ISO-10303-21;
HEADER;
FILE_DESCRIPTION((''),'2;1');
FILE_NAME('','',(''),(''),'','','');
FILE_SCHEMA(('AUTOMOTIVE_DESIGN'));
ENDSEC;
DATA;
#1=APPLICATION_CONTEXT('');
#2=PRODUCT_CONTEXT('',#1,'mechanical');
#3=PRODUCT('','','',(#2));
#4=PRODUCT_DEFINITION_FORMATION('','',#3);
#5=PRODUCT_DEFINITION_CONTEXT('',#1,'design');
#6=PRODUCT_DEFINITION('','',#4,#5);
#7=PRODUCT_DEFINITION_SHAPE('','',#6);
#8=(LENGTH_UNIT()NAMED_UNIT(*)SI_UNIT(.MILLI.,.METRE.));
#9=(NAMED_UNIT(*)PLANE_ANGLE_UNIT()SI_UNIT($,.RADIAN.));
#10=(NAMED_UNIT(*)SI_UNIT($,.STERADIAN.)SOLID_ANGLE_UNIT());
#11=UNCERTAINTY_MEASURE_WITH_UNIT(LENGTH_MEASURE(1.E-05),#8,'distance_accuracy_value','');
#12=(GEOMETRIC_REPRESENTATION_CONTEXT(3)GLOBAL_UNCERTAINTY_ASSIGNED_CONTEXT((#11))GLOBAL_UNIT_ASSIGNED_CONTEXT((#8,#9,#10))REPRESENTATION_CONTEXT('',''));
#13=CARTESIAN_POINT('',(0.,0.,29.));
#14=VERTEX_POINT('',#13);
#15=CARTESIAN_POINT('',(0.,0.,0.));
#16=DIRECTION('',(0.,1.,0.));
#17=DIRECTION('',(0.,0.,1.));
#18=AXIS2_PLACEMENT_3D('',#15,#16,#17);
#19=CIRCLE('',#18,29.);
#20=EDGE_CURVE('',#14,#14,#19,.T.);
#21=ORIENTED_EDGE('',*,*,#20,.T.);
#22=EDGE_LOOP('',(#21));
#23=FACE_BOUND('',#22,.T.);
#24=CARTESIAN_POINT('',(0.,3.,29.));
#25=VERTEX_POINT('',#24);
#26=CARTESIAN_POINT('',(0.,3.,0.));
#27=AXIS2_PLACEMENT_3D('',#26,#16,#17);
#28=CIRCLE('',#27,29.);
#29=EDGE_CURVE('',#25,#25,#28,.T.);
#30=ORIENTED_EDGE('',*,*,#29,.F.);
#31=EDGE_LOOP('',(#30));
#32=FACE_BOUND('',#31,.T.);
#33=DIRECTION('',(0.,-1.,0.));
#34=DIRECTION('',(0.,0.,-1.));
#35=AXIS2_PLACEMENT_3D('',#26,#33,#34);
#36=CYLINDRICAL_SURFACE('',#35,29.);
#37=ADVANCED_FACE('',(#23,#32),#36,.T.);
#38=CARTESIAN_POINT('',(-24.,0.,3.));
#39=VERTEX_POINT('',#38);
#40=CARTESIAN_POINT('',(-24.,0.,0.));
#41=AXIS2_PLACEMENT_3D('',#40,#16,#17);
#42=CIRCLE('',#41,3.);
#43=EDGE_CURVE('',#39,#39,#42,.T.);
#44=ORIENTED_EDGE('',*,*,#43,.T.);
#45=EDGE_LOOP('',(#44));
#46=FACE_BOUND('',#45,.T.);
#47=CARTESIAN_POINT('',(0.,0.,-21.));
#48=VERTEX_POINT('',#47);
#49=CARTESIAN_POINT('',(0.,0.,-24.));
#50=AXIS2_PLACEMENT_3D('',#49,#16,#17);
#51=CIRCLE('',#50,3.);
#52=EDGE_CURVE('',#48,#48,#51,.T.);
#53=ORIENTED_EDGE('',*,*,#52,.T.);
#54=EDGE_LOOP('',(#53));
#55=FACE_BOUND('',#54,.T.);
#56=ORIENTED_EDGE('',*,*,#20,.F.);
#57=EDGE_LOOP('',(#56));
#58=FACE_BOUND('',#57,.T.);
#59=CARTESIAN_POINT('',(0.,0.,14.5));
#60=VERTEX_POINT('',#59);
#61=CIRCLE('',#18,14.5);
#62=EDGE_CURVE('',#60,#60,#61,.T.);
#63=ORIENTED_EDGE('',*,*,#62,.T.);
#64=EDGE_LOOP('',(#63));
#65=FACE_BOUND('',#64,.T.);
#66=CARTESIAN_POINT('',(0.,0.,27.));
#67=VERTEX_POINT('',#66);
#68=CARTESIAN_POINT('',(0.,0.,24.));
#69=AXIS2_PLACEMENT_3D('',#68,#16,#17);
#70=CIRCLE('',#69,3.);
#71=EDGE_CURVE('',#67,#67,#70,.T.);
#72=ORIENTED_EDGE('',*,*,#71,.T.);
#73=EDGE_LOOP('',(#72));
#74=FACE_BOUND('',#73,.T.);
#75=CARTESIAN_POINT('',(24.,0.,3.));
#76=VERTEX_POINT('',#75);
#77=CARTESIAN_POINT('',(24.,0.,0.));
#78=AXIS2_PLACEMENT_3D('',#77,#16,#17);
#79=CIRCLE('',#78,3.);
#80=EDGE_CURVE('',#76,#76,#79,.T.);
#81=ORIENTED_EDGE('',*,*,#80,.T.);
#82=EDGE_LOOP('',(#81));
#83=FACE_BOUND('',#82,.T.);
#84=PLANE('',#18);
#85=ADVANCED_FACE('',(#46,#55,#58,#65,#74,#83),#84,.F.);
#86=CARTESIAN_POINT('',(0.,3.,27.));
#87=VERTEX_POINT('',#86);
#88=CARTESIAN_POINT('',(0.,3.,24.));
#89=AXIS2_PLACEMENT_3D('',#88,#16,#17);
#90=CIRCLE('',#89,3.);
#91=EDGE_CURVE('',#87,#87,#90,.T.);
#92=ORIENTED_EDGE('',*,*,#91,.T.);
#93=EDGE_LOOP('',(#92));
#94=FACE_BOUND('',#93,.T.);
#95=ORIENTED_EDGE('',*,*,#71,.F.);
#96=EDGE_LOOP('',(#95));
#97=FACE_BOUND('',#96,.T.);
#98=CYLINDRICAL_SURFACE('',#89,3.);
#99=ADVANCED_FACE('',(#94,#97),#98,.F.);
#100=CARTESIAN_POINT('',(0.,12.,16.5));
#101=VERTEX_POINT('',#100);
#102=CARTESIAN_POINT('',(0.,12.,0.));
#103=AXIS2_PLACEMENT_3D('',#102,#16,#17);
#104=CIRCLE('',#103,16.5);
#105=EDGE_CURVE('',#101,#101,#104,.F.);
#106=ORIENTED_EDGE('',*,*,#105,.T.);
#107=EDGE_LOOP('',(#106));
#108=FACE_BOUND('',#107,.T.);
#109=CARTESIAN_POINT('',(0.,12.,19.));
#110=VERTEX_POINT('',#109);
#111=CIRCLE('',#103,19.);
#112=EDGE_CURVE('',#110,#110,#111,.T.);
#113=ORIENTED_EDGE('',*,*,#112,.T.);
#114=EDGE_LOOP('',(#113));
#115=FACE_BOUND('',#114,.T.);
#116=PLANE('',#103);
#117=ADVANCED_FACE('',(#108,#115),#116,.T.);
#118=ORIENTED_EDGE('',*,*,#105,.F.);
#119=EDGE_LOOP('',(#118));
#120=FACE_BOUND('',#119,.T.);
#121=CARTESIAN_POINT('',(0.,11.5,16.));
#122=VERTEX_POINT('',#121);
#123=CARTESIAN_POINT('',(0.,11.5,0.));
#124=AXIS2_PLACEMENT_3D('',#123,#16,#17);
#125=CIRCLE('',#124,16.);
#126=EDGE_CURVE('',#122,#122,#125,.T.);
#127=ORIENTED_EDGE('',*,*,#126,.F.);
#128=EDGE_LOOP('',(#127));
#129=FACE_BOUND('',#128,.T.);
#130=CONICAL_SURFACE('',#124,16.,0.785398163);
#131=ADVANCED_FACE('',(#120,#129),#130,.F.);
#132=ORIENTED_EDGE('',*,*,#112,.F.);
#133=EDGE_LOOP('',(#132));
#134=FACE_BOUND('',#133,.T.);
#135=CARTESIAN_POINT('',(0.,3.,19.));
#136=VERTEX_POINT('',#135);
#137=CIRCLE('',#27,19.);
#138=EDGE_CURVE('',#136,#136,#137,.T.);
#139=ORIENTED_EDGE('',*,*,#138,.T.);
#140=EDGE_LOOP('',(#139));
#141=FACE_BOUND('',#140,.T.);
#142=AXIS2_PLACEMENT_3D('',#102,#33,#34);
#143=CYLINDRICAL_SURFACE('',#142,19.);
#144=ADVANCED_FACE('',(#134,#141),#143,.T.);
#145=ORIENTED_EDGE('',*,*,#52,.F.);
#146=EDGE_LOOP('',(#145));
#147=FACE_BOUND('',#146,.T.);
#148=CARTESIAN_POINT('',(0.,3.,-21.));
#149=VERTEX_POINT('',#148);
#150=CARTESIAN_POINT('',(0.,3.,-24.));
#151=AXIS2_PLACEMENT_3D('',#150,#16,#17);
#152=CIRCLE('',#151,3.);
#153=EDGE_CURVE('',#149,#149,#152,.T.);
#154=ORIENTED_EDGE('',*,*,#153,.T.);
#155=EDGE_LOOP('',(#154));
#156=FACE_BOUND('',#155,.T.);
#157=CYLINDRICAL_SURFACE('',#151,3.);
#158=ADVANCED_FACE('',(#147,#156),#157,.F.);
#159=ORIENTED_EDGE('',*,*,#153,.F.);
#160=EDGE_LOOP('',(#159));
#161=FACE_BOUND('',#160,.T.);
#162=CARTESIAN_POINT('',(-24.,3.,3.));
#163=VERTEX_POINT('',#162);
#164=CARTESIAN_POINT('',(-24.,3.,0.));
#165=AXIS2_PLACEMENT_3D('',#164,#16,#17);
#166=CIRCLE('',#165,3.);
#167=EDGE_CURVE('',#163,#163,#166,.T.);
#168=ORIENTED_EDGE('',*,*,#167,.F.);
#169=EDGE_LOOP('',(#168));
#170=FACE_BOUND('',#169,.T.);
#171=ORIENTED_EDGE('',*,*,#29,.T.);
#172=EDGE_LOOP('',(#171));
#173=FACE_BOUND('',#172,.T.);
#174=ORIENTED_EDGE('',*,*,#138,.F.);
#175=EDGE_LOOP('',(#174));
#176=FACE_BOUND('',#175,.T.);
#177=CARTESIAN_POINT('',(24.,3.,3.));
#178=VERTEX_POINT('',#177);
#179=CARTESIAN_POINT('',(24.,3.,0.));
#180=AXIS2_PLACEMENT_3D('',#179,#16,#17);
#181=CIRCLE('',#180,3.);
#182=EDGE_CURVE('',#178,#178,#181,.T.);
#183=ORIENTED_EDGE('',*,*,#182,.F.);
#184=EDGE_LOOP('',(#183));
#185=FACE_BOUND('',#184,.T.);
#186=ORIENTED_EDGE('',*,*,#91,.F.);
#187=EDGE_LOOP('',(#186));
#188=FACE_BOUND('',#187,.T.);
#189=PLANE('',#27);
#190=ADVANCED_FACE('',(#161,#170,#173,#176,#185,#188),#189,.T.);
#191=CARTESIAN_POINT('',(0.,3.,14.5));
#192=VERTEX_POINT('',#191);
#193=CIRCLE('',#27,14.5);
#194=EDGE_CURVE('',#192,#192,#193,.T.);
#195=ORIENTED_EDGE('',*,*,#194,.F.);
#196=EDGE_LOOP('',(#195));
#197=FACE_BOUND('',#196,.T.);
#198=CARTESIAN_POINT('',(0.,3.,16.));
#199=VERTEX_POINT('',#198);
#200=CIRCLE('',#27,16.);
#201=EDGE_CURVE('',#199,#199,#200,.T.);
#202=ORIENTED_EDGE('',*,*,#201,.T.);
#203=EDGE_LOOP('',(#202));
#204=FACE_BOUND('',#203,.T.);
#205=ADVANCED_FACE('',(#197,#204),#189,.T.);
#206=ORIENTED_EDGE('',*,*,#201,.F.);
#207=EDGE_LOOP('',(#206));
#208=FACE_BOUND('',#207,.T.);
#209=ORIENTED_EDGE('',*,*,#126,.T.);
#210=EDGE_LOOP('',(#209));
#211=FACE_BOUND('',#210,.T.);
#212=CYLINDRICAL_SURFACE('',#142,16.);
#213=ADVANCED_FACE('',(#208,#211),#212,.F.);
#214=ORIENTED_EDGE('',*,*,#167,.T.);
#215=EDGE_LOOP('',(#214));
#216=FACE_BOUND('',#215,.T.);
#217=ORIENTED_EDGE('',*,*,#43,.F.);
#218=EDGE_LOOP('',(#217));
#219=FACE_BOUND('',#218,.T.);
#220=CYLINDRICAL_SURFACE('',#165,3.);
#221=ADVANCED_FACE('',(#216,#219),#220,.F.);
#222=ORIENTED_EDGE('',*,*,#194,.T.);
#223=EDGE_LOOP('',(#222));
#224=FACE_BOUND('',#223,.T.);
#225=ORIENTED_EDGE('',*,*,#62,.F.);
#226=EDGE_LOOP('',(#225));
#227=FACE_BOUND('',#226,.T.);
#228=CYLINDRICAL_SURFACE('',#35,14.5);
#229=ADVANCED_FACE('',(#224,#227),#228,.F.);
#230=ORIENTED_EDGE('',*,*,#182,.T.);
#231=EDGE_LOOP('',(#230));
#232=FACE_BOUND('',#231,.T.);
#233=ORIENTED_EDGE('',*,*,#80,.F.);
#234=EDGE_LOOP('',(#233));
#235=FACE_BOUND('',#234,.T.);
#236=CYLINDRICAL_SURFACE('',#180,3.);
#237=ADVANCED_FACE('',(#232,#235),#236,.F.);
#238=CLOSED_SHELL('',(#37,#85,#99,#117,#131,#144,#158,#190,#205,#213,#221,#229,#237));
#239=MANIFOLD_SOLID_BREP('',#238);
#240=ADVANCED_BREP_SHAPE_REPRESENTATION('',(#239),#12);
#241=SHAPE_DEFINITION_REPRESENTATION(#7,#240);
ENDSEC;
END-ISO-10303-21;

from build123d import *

# Parameters (mm, degrees)
SKETCH1_R             = 29
SKETCH1_R_2           = 14.5
SKETCH1_R_3           = 1
BOSS_EXTRUDE1_DEPTH   = 3
SKETCH2_R             = 19
SKETCH2_R_2           = 16
BOSS_EXTRUDE2_DEPTH   = 9
F_6_0MM_DOWEL_HOLE1_D = 6
CHAMFER1_SIZE         = 0.5


with BuildPart() as part:
    # Sketch1 → Boss-Extrude1 (new body)
    with BuildSketch(Plane(origin=(0, 0, 0), x_dir=(1, 0, 0), z_dir=(0, 1, 0))):
        with Locations(Location((0, 0, 0), (0, 0, 270))):
            Circle(SKETCH1_R)
        with Locations(Location((0, 0, 0), (0, 0, 270))):
            Circle(SKETCH1_R_2, mode=Mode.SUBTRACT)
        with Locations(Location((0, 24, 0), (0, 0, 270))):
            Circle(SKETCH1_R_3, mode=Mode.SUBTRACT)
        with Locations(Location((24, 0, 0), (0, 0, 270))):
            Circle(SKETCH1_R_3, mode=Mode.SUBTRACT)
        with Locations(Location((0, -24, 0), (0, 0, 270))):
            Circle(SKETCH1_R_3, mode=Mode.SUBTRACT)
        with Locations(Location((-24, 0, 0), (0, 0, 270))):
            Circle(SKETCH1_R_3, mode=Mode.SUBTRACT)
    extrude(amount=BOSS_EXTRUDE1_DEPTH)

    # Sketch2 → Boss-Extrude2 (add)
    with BuildSketch(Plane(origin=(0, 3, 0), x_dir=(1, 0, 0), z_dir=(0, 1, 0))):
        with Locations(Location((0, 0, 0), (0, 0, 270))):
            Circle(SKETCH2_R)
        with Locations(Location((0, 0, 0), (0, 0, 270))):
            Circle(SKETCH2_R_2, mode=Mode.SUBTRACT)
    extrude(amount=BOSS_EXTRUDE2_DEPTH)

    # Ø6.0mm Dowel Hole1 (through all)
    with Locations(Plane(origin=(0, 3, 0), x_dir=(1, 0, 0), z_dir=(0, 1, 0))):
        with Locations((0, 24), (24, 0), (0, -24), (-24, 0)):
            Hole(F_6_0MM_DOWEL_HOLE1_D / 2)

    # Chamfer1
    chamfer1_edges = [part.edges().sort_by_distance(p)[0] for p in [
        (0, 12, -16),
    ]]
    chamfer(chamfer1_edges, length=CHAMFER1_SIZE)


solid = part.part
